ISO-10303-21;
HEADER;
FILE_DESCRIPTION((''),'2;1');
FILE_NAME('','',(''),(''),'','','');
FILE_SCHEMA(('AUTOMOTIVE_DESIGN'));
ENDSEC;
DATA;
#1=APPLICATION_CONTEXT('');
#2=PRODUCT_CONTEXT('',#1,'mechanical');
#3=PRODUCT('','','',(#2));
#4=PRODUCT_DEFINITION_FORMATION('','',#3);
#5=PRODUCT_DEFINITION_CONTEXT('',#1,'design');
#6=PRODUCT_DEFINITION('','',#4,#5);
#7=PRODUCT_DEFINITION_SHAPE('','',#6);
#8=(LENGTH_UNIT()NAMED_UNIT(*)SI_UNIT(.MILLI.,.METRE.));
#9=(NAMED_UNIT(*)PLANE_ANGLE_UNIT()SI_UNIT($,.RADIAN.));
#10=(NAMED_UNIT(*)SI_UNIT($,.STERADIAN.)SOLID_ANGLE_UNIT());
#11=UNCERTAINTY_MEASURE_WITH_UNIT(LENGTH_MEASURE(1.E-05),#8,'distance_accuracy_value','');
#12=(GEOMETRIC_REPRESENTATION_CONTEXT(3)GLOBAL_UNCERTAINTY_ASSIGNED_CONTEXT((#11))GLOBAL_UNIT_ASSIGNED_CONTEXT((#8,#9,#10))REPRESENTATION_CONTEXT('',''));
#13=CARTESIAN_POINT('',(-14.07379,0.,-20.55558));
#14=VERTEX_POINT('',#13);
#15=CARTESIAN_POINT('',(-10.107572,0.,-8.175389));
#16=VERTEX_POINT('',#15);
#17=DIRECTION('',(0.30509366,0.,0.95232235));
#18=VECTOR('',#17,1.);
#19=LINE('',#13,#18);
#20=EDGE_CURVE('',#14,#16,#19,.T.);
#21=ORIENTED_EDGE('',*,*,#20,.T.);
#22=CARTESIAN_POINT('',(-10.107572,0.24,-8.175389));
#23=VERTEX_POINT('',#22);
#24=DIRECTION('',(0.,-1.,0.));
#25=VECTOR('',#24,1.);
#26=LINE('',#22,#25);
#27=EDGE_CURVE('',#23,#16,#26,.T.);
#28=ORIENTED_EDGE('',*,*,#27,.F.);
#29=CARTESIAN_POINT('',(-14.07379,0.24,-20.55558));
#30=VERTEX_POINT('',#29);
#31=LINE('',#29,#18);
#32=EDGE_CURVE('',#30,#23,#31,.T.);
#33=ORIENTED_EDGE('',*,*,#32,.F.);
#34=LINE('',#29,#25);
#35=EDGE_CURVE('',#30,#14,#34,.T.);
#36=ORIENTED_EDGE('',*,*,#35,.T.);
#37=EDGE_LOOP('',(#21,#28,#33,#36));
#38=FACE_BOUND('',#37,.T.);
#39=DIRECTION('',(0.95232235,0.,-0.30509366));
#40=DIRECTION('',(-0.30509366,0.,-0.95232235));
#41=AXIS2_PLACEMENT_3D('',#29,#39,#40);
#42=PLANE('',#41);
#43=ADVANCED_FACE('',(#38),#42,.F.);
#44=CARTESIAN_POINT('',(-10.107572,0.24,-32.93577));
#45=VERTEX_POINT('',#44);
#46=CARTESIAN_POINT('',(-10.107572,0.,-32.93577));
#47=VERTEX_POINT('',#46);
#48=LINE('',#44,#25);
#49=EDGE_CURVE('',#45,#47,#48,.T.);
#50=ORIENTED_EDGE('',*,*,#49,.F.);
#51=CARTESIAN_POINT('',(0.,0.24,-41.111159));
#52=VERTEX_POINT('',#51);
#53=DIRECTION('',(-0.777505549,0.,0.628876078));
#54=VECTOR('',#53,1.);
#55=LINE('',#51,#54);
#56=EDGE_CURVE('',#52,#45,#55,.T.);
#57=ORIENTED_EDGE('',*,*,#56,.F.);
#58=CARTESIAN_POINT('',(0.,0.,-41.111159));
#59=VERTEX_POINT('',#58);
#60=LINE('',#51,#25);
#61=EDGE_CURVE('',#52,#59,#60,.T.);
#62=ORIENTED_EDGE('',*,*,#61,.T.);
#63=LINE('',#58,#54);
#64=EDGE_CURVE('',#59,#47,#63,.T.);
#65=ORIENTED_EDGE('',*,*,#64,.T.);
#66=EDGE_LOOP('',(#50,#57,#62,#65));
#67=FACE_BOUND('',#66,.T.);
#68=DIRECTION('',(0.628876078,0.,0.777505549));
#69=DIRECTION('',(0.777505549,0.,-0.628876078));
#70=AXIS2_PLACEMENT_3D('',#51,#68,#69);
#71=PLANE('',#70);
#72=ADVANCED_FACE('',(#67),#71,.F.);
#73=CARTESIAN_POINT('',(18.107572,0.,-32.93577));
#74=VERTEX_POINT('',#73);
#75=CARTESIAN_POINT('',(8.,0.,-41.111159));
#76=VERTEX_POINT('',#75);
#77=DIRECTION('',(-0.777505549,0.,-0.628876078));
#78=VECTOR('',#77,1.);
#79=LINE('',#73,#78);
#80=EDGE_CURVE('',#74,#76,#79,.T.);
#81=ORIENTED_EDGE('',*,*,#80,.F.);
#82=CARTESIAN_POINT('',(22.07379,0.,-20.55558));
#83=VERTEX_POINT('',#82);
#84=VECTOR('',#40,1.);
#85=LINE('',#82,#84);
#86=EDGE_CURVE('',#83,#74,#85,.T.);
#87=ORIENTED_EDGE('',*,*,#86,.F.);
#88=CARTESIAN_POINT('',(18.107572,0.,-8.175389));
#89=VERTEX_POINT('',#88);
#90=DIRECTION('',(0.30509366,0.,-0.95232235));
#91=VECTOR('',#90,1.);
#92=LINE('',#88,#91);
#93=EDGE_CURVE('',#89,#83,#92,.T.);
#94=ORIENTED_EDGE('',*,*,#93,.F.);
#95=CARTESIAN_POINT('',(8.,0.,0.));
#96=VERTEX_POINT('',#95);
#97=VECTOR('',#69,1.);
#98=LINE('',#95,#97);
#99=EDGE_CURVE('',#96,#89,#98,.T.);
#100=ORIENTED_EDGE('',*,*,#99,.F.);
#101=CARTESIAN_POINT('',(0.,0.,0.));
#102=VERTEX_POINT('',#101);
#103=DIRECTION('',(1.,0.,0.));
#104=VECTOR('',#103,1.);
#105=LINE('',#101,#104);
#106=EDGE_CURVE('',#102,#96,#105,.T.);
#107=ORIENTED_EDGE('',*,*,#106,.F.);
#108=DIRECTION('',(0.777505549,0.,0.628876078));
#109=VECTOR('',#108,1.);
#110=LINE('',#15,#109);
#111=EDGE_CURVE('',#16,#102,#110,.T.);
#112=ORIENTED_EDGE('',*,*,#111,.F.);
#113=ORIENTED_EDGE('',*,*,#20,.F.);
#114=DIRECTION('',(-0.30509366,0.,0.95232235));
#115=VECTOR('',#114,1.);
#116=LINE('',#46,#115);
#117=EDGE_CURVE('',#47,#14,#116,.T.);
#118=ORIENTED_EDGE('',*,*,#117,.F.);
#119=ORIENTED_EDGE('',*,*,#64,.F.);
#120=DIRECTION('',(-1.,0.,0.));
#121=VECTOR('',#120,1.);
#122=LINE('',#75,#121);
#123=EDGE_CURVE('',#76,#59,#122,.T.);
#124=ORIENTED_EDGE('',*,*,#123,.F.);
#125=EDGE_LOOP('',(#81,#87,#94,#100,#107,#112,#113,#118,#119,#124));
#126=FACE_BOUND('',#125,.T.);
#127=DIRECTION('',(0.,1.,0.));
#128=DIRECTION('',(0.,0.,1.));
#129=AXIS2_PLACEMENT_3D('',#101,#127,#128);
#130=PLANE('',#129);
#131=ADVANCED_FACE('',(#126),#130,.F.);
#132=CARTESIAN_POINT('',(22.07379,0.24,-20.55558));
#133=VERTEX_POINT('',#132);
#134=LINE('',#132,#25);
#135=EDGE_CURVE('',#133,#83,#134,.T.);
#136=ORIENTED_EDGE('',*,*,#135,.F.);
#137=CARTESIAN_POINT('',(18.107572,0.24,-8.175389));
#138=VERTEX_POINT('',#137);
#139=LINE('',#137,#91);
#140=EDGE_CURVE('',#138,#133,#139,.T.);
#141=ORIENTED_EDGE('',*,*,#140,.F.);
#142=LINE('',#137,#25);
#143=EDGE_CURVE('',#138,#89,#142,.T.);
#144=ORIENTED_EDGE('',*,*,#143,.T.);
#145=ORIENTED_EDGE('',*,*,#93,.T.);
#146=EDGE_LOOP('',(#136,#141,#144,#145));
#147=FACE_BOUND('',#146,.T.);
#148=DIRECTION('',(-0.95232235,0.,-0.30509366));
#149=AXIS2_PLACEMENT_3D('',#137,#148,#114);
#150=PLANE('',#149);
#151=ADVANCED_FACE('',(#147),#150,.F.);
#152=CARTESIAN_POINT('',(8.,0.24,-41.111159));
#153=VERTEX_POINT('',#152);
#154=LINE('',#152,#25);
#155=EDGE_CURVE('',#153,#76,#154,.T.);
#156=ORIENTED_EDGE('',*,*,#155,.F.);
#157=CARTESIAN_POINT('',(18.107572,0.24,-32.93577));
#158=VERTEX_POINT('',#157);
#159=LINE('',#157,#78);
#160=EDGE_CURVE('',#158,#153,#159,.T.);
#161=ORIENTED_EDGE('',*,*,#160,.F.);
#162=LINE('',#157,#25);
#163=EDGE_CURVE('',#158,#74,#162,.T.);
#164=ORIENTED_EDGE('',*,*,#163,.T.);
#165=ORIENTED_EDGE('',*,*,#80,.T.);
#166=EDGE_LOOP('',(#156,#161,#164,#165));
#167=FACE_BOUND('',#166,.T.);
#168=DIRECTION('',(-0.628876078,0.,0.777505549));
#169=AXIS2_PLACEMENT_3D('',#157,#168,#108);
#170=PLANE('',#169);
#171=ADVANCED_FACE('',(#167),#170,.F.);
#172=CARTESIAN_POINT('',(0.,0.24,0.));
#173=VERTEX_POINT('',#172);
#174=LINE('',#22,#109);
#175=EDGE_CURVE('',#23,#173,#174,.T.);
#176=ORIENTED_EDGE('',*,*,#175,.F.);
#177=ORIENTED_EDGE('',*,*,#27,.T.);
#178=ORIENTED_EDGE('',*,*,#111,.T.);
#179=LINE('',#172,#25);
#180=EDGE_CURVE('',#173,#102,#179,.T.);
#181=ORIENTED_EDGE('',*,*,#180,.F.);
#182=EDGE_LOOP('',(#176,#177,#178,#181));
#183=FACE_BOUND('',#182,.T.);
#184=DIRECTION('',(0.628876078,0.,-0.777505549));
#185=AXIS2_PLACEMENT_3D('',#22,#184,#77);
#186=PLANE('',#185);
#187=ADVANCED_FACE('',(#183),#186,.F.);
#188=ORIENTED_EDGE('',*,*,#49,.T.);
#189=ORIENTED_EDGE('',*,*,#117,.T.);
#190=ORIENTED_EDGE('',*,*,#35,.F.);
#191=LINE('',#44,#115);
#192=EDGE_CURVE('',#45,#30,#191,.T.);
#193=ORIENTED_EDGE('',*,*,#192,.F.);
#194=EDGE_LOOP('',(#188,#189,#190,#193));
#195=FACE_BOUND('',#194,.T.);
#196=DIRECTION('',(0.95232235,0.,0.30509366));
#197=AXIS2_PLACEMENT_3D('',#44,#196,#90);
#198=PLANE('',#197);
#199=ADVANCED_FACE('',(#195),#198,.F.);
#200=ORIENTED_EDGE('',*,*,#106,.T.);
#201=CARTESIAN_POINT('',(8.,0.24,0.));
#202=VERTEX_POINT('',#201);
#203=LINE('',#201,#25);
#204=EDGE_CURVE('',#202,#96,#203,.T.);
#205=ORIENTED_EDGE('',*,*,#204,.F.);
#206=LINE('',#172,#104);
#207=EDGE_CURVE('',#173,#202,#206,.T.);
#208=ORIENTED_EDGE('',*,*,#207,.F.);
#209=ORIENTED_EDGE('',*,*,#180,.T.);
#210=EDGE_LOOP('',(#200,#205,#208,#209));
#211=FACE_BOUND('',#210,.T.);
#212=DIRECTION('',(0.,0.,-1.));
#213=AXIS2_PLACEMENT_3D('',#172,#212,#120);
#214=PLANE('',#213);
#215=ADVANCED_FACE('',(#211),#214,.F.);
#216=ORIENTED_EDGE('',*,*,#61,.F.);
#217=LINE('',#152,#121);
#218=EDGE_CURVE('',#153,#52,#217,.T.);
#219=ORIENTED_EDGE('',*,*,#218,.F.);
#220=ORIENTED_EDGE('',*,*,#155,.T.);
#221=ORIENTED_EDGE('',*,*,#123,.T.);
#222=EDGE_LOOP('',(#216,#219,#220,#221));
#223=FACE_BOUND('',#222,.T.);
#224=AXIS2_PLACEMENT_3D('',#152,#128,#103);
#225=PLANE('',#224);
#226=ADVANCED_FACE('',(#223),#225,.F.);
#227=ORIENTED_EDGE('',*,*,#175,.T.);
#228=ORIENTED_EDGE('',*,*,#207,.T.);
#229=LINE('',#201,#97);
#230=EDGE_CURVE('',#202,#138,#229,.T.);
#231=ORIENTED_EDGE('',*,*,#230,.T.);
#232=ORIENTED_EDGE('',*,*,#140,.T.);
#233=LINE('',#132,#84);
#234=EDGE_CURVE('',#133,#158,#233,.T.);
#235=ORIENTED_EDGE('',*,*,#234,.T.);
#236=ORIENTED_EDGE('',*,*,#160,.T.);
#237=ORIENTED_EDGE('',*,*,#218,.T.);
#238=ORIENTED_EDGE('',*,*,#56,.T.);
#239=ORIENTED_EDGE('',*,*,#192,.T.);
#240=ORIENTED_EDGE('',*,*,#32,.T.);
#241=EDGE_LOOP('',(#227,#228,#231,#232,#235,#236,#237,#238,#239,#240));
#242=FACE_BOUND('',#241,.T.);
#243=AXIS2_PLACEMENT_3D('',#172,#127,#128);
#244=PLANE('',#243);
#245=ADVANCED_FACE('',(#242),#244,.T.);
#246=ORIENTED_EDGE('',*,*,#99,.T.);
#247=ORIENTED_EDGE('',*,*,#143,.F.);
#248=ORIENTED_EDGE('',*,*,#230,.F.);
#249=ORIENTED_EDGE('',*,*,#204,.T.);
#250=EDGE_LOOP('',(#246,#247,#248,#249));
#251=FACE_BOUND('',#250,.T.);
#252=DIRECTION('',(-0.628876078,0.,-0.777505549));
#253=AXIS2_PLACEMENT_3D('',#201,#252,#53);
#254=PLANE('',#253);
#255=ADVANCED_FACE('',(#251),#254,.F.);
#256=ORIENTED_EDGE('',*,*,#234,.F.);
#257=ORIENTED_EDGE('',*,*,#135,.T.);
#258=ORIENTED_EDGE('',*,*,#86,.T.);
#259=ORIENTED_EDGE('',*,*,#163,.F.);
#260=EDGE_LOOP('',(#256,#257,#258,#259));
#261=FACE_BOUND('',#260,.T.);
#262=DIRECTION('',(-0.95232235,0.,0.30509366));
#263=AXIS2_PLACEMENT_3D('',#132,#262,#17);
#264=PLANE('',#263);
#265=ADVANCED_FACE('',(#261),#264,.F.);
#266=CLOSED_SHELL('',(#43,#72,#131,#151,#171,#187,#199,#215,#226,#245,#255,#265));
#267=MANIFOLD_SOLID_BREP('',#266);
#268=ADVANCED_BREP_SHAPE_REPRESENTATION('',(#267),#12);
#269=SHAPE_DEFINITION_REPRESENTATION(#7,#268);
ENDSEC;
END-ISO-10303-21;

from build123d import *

# Parameters (mm, degrees)
BOSS_EXTRUDE1_DEPTH = 0.24


with BuildPart() as part:
    # Sketch1 → Boss-Extrude1 (new body)
    with BuildSketch(Plane(origin=(0, 0, 0), x_dir=(1, 0, 0), z_dir=(0, 1, 0))):
        Polygon((0, 0), (8, 0), (18.10757214, 8.175389008), (22.073789715, 20.555579562), (18.10757214, 32.935770116), (8, 41.111159124), (0, 41.111159124), (-10.10757214, 32.935770116), (-14.073789715, 20.555579562), (-10.10757214, 8.175389008), align=None)
    extrude(amount=BOSS_EXTRUDE1_DEPTH)


solid = part.part
